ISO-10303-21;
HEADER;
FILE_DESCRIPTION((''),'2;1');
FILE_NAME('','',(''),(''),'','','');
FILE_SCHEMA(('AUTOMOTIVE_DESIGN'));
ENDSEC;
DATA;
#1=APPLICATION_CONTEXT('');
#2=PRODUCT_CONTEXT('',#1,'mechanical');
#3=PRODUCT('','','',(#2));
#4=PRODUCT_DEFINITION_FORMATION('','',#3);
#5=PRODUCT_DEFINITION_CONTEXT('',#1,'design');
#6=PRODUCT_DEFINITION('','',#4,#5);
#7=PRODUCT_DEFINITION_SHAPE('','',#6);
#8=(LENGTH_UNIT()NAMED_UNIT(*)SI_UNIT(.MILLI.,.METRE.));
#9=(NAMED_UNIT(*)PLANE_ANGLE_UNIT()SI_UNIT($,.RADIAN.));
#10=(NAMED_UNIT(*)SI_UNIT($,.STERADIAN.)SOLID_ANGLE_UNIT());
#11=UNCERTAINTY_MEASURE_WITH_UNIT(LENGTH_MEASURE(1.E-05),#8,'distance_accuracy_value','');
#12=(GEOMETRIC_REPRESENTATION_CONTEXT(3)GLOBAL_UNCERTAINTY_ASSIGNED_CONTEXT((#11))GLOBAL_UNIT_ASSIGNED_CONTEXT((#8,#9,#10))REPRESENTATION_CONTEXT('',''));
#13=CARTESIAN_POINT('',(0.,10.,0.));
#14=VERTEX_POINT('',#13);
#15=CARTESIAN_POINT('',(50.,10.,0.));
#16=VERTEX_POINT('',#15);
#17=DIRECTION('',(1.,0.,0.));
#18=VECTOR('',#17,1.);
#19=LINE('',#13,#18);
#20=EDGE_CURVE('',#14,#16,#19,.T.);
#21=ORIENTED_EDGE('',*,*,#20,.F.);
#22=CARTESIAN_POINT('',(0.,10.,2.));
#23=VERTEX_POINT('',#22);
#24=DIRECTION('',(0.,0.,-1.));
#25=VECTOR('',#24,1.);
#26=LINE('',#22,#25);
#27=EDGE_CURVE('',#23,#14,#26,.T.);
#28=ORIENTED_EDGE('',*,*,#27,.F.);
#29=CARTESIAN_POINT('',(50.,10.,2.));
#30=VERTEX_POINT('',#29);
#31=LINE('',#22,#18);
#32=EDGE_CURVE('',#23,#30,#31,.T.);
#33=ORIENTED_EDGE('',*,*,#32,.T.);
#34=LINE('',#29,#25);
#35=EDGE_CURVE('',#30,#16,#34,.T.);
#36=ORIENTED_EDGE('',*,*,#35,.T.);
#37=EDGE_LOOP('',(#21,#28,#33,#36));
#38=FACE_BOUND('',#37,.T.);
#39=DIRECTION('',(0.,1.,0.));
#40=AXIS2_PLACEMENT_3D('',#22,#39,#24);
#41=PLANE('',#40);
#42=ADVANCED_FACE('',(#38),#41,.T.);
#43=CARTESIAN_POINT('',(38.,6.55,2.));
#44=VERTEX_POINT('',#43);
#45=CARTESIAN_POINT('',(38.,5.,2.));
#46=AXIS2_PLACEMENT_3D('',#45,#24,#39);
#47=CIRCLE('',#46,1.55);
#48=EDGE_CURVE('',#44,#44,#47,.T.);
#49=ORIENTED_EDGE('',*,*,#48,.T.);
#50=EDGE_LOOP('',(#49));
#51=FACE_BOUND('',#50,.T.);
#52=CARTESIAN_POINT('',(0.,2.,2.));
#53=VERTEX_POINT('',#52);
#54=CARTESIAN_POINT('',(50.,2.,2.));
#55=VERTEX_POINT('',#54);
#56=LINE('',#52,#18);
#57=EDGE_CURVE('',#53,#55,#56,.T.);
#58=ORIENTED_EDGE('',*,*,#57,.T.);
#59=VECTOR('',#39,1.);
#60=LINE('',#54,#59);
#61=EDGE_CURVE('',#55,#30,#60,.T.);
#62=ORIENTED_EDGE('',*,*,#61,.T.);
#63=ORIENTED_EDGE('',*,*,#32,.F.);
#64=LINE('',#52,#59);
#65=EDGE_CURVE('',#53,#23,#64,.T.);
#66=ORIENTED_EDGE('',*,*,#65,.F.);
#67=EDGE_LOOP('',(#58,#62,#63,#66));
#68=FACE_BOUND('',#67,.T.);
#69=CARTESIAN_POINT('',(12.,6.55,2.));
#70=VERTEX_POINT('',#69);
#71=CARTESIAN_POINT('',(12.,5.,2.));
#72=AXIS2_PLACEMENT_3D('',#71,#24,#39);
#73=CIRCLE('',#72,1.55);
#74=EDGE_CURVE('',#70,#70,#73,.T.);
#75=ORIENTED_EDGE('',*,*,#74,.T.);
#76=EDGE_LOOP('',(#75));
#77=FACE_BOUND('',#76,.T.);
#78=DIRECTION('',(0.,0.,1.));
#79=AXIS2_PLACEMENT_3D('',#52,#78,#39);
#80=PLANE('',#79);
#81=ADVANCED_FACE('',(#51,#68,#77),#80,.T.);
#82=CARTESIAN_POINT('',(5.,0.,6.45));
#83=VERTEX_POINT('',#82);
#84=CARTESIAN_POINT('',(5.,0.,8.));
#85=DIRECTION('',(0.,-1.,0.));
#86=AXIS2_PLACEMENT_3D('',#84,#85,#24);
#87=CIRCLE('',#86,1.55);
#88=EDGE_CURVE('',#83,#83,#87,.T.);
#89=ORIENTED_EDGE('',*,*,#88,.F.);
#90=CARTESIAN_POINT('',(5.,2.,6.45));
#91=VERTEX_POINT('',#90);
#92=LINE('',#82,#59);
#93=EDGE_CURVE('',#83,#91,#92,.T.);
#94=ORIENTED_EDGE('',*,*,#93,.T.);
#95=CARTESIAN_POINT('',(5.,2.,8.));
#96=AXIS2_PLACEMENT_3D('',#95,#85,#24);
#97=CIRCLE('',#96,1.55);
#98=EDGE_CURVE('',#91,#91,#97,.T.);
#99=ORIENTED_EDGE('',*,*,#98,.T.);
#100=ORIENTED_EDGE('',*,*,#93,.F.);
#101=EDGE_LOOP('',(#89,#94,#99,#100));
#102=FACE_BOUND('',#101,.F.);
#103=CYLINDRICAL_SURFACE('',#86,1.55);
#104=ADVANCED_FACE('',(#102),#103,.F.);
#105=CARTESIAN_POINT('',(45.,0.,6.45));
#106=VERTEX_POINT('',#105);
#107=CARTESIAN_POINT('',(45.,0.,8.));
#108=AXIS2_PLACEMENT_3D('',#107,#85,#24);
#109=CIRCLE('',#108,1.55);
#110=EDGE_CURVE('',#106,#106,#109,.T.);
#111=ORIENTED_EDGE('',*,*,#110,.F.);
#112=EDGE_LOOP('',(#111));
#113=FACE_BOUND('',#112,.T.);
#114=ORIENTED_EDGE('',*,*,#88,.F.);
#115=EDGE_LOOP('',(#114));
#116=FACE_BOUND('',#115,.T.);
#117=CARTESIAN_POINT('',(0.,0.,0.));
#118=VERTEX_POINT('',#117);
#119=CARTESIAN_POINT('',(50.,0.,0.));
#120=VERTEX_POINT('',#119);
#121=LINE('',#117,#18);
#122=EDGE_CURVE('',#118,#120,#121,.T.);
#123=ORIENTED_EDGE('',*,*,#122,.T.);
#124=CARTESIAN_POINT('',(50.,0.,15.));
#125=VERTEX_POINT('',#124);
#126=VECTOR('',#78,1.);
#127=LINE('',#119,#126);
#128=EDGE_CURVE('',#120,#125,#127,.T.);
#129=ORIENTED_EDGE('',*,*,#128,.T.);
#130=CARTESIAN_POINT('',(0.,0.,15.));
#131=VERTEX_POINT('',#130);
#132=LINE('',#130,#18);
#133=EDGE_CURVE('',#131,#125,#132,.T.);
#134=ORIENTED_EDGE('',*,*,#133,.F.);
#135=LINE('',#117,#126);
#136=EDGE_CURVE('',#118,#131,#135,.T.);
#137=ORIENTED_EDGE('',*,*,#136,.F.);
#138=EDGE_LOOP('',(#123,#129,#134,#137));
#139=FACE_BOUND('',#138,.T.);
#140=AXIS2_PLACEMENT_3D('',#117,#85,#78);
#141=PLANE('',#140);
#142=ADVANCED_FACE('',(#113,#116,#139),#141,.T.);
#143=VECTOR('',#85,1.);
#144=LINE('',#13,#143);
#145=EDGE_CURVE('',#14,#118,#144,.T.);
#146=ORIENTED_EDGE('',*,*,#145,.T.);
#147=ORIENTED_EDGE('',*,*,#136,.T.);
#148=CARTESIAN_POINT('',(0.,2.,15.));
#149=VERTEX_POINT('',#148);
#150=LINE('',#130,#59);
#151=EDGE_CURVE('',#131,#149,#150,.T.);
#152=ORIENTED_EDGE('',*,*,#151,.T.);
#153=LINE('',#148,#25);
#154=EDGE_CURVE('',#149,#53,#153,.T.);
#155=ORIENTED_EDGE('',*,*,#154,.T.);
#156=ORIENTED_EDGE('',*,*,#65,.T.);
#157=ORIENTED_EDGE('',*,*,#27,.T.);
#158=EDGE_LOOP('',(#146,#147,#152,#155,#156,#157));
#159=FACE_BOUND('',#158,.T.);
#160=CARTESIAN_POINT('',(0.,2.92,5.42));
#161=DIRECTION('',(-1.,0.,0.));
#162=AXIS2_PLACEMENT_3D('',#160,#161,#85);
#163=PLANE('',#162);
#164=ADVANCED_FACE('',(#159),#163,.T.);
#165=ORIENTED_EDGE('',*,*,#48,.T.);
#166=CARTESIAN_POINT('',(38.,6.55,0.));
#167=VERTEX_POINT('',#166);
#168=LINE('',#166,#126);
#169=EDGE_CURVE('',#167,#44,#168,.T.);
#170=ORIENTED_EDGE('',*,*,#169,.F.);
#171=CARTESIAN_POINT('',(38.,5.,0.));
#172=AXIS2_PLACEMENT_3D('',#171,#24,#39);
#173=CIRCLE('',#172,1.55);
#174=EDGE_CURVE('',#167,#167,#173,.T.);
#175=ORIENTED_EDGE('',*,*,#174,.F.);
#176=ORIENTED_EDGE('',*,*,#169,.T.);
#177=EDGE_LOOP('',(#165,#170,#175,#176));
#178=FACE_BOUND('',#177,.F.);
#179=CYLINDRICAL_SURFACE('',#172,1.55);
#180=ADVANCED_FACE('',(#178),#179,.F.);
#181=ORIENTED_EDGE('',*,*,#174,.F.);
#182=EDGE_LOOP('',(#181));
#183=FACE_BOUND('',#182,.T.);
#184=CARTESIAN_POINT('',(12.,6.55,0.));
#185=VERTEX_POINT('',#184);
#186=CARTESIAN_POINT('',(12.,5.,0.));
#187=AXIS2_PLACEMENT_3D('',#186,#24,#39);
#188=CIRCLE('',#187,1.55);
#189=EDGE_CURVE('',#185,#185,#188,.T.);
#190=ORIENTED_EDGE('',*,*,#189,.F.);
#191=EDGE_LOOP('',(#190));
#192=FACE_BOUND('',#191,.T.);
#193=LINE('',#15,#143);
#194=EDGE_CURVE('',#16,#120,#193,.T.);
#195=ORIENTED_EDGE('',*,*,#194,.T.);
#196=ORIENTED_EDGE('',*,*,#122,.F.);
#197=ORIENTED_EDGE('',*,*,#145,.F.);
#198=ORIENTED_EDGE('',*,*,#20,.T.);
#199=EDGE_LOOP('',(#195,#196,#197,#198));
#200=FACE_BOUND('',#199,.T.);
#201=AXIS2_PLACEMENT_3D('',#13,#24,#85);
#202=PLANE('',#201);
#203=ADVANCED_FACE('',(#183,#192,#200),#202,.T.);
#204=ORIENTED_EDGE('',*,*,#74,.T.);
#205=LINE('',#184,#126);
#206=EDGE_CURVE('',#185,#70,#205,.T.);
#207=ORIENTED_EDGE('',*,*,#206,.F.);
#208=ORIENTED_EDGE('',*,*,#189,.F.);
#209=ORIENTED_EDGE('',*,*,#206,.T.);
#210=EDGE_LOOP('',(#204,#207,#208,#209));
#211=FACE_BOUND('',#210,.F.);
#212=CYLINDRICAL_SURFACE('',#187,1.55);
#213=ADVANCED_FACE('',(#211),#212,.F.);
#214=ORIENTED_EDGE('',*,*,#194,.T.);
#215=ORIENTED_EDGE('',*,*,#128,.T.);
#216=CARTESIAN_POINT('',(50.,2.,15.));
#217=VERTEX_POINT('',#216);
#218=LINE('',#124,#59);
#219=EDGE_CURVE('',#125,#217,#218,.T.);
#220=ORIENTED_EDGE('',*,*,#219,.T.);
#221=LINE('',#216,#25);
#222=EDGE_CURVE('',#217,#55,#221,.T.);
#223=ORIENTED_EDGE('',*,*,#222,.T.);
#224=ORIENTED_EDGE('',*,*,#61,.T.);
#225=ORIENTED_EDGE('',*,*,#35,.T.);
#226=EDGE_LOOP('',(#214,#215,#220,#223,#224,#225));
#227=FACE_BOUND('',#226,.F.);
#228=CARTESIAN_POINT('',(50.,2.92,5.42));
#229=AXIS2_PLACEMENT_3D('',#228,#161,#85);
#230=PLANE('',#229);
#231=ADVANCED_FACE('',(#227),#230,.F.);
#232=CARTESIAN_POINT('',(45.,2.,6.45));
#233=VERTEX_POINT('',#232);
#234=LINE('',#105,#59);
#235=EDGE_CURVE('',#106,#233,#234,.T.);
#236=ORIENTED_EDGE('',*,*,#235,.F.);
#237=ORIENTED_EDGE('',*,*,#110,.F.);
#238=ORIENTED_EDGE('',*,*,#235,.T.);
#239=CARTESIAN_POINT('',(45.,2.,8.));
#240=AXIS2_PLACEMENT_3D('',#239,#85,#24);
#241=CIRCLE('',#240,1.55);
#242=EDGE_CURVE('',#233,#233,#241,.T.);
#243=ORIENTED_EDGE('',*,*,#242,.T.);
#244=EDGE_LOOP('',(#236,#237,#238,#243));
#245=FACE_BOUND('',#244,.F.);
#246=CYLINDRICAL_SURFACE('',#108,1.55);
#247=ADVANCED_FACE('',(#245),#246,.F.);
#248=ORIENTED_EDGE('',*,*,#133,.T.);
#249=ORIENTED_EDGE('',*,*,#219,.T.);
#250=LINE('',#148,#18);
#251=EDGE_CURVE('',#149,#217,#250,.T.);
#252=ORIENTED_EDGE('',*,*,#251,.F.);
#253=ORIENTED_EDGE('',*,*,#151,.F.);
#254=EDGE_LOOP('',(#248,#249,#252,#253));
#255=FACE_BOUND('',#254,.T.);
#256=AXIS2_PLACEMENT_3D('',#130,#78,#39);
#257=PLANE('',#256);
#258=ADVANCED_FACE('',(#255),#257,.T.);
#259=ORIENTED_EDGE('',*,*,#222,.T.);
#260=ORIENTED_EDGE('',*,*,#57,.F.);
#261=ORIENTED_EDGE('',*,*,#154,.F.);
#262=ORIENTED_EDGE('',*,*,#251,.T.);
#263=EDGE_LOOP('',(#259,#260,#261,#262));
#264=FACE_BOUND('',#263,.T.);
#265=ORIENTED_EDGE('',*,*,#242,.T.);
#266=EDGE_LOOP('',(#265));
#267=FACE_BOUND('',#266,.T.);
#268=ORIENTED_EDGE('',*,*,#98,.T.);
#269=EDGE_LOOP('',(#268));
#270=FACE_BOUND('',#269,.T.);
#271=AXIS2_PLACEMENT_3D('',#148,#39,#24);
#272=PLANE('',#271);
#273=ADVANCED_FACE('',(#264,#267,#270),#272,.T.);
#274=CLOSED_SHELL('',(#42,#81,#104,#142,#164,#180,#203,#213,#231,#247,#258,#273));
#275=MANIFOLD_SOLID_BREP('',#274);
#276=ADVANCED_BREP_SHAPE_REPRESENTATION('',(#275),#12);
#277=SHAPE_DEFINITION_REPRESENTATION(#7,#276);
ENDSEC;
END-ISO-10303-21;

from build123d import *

# Parameters (mm, degrees)
PAD_DEPTH       = 50
SKETCH001_R     = 1.55
POCKET_DEPTH    = 15.001
SKETCH002_R     = 1.55
POCKET001_DEPTH = 10.001


with BuildPart() as part:
    # Sketch → Pad (new body)
    with BuildSketch(Plane.YZ):
        Polygon((0, 0), (0, 15), (2, 15), (2, 2), (10, 2), (10, 0), align=None)
    extrude(amount=PAD_DEPTH)

    # Sketch001 (on Face6 of Pad) → Pocket (cut, through all)
    with BuildSketch(Plane.YX):
        with Locations((5, 38)):
            Circle(SKETCH001_R)
        with Locations((5, 12)):
            Circle(SKETCH001_R)
    extrude(amount=-POCKET_DEPTH, mode=Mode.SUBTRACT)

    # Sketch002 (on Face1 of Pocket) → Pocket001 (cut, through all)
    with BuildSketch(Plane(origin=(0, 0, 0), x_dir=(0, 0, -1), z_dir=(0, -1, 0))):
        with Locations((-8, 45)):
            Circle(SKETCH002_R)
        with Locations((-8, 5)):
            Circle(SKETCH002_R)
    extrude(amount=-POCKET001_DEPTH, mode=Mode.SUBTRACT)


solid = part.part
